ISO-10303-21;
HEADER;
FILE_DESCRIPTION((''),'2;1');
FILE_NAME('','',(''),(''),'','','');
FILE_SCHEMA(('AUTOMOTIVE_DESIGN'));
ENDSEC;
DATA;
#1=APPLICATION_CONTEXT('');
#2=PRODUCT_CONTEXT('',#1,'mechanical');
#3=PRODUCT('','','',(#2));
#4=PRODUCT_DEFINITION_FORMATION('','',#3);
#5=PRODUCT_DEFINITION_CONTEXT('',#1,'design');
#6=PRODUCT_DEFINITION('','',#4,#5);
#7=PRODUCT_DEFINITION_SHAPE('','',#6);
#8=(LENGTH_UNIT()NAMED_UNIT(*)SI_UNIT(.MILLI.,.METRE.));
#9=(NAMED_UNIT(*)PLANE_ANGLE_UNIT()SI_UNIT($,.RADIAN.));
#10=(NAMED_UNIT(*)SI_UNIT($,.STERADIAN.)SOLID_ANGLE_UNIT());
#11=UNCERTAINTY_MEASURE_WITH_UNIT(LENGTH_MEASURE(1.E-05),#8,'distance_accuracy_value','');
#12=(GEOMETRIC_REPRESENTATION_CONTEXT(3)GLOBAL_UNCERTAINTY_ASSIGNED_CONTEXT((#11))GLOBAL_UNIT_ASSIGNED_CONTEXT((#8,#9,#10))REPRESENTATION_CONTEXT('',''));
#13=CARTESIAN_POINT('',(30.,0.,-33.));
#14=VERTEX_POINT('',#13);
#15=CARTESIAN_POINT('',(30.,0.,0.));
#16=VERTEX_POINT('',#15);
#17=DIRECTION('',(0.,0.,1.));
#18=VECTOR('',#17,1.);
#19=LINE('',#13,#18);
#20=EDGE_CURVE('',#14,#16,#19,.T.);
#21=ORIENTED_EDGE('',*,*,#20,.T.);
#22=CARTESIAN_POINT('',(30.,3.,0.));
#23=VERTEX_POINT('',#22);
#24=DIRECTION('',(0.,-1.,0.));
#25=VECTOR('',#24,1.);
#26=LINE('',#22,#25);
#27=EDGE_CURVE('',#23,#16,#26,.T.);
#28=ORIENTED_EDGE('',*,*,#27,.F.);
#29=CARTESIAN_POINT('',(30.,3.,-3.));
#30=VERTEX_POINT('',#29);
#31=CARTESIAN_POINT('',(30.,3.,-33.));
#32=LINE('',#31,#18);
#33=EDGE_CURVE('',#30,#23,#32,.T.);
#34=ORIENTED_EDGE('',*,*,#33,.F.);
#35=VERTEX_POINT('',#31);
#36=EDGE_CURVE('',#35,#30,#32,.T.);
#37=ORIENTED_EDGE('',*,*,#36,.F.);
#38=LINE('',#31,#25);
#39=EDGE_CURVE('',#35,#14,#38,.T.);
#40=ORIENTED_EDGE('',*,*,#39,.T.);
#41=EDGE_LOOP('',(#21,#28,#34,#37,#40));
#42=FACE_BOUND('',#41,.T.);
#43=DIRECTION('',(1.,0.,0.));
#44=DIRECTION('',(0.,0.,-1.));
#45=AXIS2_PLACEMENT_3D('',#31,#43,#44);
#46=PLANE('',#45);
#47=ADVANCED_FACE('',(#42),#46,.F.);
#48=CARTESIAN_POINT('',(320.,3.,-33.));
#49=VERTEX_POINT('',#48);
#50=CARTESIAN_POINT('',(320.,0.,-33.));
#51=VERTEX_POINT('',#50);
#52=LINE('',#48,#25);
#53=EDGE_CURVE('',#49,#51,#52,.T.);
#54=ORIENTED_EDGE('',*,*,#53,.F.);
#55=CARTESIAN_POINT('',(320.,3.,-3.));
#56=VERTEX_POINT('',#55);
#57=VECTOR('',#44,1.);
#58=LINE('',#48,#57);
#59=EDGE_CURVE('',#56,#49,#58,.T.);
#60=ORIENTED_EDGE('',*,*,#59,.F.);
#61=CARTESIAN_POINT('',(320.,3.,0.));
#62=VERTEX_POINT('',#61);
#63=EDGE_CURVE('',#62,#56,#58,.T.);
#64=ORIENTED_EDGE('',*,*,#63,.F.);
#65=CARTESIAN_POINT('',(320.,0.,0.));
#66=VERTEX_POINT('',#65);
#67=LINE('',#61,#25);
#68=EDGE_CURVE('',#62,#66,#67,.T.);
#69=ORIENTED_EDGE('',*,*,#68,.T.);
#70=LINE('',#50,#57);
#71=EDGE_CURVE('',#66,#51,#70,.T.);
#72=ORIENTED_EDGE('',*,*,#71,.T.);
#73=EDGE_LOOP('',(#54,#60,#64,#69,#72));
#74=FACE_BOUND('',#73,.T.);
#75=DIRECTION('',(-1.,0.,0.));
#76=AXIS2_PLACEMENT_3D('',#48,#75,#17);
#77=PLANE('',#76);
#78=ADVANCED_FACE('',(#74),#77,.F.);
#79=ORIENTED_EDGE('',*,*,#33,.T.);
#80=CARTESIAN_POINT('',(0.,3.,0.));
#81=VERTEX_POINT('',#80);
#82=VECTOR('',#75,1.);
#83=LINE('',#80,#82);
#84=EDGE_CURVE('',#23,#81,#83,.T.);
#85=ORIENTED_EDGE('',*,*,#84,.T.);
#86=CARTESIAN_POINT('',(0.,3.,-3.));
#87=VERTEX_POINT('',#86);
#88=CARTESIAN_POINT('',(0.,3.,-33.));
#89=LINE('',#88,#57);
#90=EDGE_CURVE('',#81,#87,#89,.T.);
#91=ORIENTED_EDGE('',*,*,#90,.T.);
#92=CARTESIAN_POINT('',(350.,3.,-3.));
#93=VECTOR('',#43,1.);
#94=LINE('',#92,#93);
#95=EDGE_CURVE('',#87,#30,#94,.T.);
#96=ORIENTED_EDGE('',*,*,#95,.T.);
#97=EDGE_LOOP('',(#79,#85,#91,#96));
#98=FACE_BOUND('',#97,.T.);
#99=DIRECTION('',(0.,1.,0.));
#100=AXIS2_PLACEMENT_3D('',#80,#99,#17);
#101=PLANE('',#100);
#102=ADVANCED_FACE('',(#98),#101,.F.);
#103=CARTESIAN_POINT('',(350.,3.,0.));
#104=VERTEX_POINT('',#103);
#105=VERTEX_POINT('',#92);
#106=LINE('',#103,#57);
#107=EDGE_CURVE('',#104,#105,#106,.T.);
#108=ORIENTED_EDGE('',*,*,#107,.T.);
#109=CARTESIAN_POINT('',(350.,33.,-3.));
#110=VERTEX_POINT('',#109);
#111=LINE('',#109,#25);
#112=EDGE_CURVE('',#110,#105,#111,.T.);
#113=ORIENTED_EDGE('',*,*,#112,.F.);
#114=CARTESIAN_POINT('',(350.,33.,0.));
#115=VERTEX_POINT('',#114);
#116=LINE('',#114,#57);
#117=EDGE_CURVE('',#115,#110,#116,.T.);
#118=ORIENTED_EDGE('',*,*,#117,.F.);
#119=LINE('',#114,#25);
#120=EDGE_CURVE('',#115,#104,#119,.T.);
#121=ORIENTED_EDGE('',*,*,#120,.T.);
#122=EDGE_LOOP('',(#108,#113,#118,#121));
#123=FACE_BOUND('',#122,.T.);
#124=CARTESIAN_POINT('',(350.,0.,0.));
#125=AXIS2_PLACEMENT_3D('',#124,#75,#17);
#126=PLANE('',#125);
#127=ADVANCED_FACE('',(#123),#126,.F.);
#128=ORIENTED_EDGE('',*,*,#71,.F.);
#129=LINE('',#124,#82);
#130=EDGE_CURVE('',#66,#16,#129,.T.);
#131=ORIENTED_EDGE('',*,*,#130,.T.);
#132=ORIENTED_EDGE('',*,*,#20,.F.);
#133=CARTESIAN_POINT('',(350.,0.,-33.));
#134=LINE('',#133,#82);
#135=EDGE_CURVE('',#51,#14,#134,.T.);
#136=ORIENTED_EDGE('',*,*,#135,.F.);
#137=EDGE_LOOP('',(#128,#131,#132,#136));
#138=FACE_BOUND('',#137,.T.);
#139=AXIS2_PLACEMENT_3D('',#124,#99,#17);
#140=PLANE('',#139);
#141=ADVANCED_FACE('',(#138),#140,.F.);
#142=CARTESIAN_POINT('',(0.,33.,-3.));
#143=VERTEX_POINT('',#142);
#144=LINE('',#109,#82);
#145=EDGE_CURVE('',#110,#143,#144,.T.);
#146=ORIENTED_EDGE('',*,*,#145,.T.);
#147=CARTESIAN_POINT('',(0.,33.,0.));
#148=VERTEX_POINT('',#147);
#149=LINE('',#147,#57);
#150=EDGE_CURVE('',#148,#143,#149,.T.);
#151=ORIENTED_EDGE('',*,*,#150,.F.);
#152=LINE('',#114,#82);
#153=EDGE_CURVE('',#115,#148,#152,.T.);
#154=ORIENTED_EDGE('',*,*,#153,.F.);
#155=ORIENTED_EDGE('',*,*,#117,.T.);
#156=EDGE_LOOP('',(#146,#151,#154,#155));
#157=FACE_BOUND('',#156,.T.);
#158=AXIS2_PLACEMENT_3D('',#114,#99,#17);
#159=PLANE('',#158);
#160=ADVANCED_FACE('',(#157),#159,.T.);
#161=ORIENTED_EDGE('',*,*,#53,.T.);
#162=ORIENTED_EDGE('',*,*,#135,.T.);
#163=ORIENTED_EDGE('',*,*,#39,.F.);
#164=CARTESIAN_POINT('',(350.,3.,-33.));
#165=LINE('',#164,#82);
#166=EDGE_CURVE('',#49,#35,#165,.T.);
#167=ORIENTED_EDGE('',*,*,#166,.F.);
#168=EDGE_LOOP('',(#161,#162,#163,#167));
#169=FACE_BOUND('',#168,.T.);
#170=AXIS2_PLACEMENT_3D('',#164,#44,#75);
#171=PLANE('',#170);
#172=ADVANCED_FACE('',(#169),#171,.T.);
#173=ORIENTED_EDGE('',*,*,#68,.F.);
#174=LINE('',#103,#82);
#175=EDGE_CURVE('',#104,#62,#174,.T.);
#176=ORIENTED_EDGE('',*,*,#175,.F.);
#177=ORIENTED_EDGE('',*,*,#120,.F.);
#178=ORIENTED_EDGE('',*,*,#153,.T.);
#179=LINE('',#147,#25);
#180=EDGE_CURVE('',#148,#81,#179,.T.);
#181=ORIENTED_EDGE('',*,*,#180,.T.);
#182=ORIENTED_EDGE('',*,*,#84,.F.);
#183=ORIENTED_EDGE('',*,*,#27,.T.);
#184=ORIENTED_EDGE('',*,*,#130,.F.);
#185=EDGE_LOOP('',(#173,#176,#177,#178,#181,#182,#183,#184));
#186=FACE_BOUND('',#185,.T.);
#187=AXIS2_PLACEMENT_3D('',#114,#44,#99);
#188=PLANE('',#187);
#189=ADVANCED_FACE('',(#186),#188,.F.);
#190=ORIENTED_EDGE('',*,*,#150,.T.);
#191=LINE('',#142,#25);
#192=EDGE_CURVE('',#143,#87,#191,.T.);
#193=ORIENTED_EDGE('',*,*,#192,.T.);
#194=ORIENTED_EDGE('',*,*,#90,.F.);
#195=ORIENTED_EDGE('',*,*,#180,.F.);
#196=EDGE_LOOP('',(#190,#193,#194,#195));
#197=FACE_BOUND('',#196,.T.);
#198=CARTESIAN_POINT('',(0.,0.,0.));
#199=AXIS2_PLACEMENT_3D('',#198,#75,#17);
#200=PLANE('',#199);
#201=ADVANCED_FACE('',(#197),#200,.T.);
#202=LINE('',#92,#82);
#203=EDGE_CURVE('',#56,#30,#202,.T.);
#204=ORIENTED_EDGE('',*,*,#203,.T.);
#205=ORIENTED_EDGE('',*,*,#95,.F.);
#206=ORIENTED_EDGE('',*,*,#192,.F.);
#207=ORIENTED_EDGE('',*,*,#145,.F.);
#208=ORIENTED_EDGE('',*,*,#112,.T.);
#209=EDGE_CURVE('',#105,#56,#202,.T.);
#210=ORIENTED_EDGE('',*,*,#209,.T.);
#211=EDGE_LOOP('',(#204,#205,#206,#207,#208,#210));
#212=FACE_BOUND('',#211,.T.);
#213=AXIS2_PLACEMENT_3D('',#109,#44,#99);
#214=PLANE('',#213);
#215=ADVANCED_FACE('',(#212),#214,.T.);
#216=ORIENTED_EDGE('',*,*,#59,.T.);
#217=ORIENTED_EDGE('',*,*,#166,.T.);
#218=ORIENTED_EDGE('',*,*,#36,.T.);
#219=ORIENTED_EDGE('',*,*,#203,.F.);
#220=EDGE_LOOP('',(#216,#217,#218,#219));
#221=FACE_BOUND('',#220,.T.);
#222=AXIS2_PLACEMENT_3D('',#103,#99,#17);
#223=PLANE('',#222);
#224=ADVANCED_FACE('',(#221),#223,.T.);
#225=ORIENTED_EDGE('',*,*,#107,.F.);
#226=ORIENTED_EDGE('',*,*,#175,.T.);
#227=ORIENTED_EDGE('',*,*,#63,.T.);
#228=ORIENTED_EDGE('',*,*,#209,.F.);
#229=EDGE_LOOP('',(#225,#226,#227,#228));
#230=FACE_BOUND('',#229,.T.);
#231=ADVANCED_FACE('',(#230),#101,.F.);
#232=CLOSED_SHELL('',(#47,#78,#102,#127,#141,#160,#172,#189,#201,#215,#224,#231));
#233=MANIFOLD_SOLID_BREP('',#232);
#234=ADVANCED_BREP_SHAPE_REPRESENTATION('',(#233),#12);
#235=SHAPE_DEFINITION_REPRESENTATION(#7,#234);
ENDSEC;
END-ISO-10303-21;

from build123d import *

# Parameters (mm, degrees)
EXTRUDE_1_DEPTH     = 350
SKETCH_2_W          = 30
SKETCH_2_H          = 33
CUT_EXTRUDE_1_DEPTH = 3


with BuildPart() as part:
    # Эскиз1 → Вытянуть-Тонкостенный1 (new body)
    with BuildSketch(Plane(origin=(0, 0, 0), x_dir=(0, 0, -1), z_dir=(1, 0, 0))):
        Polygon((0, 33), (0, 0), (33, 0), (33, 3), (3, 3), (3, 33), align=None)
    extrude(amount=EXTRUDE_1_DEPTH)

    # Эскиз2 → Вырез-Вытянуть1 (cut)
    with BuildSketch(Plane.XZ):
        with Locations((15, -16.5)):
            Rectangle(SKETCH_2_W, SKETCH_2_H)
        with Locations((335, -16.5)):
            Rectangle(SKETCH_2_W, SKETCH_2_H)
    extrude(amount=-CUT_EXTRUDE_1_DEPTH, mode=Mode.SUBTRACT)


solid = part.part
